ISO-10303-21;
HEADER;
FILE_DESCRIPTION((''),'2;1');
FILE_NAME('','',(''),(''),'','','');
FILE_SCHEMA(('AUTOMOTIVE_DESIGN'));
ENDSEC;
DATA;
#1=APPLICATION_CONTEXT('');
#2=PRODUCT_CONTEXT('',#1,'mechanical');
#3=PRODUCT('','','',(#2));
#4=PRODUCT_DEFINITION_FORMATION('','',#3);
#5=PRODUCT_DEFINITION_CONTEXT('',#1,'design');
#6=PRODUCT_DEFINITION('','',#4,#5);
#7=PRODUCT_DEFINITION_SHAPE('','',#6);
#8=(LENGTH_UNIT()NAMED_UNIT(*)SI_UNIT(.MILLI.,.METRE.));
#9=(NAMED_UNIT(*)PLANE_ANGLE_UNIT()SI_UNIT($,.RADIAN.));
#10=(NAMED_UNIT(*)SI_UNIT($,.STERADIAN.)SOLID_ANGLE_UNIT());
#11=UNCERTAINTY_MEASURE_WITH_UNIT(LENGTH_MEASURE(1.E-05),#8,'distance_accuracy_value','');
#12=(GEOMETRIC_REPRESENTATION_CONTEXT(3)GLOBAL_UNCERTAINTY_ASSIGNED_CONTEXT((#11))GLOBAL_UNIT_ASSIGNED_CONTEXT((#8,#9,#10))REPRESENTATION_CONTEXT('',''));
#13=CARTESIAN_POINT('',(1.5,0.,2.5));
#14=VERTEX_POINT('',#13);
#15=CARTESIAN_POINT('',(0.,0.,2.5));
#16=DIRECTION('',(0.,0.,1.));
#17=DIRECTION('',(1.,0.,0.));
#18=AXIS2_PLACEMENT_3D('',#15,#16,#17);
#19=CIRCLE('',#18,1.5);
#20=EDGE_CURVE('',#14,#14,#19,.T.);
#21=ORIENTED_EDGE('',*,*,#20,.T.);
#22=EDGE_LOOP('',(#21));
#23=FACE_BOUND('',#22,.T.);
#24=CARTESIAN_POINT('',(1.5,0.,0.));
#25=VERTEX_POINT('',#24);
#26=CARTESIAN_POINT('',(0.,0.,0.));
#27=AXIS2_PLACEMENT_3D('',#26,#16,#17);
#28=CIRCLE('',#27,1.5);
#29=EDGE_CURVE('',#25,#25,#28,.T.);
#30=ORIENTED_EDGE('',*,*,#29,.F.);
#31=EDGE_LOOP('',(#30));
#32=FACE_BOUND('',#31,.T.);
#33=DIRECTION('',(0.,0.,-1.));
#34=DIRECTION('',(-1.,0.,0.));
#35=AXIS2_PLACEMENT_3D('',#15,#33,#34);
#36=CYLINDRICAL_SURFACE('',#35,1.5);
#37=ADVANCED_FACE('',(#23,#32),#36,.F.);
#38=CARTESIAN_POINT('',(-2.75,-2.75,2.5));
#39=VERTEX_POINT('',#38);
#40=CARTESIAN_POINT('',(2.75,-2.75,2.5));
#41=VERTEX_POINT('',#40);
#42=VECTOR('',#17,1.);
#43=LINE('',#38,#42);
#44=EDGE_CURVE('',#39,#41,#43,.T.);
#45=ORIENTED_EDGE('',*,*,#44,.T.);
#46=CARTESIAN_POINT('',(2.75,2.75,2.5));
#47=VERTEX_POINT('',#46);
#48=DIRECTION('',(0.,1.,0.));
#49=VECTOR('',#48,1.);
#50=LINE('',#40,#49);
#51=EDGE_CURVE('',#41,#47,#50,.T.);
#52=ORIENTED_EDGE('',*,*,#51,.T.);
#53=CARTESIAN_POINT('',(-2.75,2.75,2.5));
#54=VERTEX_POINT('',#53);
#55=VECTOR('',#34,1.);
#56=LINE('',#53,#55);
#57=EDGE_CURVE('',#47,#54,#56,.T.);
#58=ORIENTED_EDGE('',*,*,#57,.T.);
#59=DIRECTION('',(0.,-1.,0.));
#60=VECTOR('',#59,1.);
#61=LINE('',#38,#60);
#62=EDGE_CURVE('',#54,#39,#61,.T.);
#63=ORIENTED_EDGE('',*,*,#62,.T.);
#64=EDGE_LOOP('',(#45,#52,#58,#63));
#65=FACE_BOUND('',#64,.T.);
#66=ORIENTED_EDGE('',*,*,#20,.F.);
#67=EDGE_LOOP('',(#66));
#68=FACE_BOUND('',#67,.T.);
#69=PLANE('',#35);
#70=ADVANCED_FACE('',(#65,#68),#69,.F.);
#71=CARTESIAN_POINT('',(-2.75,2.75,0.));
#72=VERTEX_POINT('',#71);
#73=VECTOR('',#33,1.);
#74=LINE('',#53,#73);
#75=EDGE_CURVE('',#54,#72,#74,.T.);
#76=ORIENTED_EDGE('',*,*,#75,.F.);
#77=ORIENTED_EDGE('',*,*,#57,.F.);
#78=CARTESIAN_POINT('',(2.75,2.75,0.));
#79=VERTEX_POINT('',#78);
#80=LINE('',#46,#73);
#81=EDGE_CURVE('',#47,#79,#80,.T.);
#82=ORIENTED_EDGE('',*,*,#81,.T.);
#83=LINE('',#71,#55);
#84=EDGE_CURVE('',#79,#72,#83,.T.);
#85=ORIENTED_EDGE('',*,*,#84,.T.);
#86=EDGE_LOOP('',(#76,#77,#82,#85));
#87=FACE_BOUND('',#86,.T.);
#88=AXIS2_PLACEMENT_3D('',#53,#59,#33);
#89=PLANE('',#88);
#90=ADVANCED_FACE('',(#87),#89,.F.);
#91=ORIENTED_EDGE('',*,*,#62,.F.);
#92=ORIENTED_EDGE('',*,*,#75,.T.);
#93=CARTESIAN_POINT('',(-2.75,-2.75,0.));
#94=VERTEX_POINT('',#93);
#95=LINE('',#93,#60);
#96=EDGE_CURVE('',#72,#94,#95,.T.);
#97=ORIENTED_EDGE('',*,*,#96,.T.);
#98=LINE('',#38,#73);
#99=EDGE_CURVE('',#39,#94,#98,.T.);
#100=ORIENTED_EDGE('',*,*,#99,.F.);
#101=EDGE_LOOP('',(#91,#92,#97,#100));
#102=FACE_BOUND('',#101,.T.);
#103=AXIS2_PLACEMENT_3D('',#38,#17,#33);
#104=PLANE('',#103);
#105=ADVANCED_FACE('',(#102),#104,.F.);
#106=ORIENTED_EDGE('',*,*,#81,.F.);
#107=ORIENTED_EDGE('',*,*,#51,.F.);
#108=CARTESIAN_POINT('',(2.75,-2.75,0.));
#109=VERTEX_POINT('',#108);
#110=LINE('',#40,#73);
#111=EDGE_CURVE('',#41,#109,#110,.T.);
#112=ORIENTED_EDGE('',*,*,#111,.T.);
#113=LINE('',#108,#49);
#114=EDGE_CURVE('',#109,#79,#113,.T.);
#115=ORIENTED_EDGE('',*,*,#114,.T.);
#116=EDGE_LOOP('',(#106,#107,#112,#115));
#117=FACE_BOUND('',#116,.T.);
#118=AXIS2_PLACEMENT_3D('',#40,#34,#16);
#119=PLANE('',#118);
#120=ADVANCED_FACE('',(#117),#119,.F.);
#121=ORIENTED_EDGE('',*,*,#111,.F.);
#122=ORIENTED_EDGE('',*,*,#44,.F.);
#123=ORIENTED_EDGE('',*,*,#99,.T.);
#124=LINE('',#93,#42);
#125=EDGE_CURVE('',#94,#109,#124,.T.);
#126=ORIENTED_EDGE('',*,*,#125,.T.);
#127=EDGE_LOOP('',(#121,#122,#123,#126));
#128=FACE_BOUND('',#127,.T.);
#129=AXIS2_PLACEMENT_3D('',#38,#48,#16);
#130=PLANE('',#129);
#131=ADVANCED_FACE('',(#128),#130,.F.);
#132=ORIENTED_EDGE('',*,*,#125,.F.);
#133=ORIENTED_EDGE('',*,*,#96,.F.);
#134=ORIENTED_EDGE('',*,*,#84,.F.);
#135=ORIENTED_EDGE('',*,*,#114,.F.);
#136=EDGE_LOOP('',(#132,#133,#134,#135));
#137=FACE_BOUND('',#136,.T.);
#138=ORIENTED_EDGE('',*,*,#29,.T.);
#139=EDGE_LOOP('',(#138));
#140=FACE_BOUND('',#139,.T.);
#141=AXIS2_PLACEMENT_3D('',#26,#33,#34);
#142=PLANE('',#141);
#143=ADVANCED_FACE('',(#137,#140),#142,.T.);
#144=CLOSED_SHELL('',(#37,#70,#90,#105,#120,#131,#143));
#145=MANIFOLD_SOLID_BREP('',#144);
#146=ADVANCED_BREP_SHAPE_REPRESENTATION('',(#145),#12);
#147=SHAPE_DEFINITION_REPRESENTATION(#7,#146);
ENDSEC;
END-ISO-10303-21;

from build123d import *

# Parameters (mm, degrees)
SKETCH1_W           = 5.5
SKETCH1_H           = 5.5
SKETCH1_R           = 1.5
BOSS_EXTRUDE1_DEPTH = 2.5


with BuildPart() as part:
    # Sketch1 → Boss-Extrude1 (new body)
    with BuildSketch(Plane.XY):
        Rectangle(SKETCH1_W, SKETCH1_H)
        Circle(SKETCH1_R, mode=Mode.SUBTRACT)
    extrude(amount=BOSS_EXTRUDE1_DEPTH)


solid = part.part
